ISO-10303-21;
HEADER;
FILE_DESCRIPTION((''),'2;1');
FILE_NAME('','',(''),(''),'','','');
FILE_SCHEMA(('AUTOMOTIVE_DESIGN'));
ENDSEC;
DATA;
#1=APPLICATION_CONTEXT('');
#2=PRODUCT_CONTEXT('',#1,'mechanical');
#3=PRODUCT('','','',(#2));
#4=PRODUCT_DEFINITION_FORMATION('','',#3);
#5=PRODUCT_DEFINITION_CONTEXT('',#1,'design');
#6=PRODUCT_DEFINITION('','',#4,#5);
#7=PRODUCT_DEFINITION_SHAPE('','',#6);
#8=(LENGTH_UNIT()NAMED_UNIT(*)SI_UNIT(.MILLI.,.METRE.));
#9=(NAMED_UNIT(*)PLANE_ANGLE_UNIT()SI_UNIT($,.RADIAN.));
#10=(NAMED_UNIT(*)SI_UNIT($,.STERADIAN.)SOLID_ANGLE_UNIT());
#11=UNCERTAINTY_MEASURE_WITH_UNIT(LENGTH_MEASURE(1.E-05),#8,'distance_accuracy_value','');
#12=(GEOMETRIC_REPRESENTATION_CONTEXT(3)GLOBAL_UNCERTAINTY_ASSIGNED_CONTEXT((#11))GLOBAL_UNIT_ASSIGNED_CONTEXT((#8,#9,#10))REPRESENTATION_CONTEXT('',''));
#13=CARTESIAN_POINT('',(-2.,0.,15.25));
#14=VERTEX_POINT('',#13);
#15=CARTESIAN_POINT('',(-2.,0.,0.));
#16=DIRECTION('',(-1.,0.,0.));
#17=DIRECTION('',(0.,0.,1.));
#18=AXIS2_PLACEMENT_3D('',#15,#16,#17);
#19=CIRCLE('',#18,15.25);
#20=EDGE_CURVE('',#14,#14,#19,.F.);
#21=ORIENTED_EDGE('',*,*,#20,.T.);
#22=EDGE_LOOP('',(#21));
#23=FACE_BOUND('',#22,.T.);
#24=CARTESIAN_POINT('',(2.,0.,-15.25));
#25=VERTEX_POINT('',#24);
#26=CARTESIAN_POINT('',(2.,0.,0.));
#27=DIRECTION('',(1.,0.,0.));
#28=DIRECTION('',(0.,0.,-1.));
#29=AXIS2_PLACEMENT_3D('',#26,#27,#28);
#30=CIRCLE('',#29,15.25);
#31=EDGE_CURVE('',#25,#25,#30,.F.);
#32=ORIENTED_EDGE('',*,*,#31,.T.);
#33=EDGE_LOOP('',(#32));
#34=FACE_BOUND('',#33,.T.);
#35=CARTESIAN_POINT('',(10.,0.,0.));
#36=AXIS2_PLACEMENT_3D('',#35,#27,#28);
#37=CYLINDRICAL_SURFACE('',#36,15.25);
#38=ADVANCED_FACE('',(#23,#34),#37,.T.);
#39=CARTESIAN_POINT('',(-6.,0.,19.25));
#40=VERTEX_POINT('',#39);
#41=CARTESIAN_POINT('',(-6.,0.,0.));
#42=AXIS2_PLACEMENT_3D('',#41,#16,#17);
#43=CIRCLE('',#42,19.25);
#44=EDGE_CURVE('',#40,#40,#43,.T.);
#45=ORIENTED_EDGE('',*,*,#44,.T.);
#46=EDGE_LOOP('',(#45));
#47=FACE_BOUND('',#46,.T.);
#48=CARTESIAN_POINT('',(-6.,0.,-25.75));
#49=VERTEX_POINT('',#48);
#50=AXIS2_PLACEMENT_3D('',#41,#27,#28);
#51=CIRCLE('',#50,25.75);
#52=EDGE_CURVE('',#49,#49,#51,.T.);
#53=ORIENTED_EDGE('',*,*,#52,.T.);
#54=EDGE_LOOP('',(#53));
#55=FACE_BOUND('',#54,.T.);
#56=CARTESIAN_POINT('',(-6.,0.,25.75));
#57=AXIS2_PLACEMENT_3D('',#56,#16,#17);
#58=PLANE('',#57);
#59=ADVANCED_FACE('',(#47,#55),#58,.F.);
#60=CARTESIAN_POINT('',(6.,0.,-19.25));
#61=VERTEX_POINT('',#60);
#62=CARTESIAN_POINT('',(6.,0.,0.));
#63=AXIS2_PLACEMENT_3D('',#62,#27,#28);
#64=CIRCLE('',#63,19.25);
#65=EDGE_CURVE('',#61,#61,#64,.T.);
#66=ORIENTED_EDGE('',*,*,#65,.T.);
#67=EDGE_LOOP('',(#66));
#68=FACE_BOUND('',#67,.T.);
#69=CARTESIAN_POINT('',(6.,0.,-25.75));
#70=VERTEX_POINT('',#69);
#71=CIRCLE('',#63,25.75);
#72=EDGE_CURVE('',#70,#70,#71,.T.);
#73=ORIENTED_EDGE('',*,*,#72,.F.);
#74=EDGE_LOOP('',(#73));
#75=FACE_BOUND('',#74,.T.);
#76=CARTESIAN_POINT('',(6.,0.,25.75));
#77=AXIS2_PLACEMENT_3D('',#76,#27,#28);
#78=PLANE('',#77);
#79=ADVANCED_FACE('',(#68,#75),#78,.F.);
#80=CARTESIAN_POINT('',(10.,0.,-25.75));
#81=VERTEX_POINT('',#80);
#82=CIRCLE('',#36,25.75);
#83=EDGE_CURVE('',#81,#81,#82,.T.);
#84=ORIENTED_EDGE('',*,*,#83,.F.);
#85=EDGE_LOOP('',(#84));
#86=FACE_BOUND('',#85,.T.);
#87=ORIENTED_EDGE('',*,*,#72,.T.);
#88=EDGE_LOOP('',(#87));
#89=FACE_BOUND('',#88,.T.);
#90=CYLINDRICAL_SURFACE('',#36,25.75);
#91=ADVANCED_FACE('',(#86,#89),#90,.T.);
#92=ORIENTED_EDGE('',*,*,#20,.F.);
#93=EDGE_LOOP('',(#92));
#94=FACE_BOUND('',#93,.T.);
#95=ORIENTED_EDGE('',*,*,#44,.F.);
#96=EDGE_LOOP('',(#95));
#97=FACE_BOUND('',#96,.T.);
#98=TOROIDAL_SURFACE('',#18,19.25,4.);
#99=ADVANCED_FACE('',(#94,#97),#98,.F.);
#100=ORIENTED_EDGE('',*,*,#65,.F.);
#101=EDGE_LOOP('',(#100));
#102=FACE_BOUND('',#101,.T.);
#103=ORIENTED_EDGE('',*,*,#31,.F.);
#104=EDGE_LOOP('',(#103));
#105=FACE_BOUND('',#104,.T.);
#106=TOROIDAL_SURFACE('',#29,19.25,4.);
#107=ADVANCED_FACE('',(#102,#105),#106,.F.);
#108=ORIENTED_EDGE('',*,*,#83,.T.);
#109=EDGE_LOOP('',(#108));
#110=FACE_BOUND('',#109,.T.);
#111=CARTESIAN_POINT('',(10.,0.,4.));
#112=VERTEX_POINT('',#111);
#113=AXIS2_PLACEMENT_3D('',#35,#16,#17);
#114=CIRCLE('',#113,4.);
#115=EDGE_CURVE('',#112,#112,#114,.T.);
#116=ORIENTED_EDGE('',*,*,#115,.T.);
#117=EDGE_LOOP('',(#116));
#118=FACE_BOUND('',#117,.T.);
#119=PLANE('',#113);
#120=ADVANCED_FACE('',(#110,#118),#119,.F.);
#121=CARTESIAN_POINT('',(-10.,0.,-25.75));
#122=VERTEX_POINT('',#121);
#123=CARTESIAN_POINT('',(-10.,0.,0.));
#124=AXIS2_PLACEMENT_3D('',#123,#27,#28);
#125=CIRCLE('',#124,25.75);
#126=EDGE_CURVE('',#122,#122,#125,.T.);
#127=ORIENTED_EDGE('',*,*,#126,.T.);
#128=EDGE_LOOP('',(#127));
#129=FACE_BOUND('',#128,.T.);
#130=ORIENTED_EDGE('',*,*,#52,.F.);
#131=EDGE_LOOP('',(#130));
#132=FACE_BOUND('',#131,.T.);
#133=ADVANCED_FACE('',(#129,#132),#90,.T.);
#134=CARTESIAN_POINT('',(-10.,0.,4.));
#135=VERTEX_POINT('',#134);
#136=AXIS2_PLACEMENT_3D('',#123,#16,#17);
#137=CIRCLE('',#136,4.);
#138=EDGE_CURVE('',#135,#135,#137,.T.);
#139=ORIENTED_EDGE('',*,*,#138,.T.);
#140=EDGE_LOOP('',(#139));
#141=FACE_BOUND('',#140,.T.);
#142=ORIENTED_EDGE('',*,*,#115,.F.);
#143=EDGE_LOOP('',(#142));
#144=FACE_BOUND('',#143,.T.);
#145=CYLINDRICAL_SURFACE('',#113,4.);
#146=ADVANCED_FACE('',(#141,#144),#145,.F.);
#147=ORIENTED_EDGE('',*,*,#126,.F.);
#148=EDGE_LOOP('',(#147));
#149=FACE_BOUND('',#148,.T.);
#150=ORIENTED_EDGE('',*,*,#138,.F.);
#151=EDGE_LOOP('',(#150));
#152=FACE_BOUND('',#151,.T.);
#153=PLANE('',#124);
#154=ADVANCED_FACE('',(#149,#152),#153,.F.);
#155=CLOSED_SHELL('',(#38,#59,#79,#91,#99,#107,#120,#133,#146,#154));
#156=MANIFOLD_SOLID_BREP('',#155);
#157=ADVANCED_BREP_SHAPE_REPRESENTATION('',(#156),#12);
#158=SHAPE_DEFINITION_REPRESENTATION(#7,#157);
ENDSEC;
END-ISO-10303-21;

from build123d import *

# Parameters (mm, degrees)
FILLET1_R          = 4
SKETCH3_R          = 4
CUT_EXTRUDE1_DEPTH = 42.546660516


with BuildPart() as part:
    # Sketch1 → Revolve1 (revolve)
    with BuildSketch(Plane(origin=(0, 0, 0), x_dir=(-1, 0, 0), z_dir=(0, 1, 0)), mode=Mode.PRIVATE) as revolve1_sk:
        Polygon((-10, 0), (-10, 25.75), (-6, 25.75), (-6, 15.25), (6, 15.25), (6, 25.75), (10, 25.75), (10, 0), align=None)
    revolve(revolve1_sk.sketch.rotate(Axis((10, 0, 0), (-1, 0, 0)), 180), axis=Axis((10, 0, 0), (-1, 0, 0)))

    # Fillet1
    fillet1_edges = [part.edges().sort_by_distance(p)[0] for p in [
        (6, 0, 15.25),
        (-6, 0, 15.25),
    ]]
    fillet(fillet1_edges, radius=FILLET1_R)

    # Sketch3 → Cut-Extrude1 (cut, through all)
    with BuildSketch(Plane(origin=(-10, 0, 0), x_dir=(0, -1, 0), z_dir=(-1, 0, 0))):
        with Locations(Location((0, 0, 0), (0, 0, 90))):
            Circle(SKETCH3_R)
    extrude(amount=-CUT_EXTRUDE1_DEPTH, mode=Mode.SUBTRACT)


solid = part.part
